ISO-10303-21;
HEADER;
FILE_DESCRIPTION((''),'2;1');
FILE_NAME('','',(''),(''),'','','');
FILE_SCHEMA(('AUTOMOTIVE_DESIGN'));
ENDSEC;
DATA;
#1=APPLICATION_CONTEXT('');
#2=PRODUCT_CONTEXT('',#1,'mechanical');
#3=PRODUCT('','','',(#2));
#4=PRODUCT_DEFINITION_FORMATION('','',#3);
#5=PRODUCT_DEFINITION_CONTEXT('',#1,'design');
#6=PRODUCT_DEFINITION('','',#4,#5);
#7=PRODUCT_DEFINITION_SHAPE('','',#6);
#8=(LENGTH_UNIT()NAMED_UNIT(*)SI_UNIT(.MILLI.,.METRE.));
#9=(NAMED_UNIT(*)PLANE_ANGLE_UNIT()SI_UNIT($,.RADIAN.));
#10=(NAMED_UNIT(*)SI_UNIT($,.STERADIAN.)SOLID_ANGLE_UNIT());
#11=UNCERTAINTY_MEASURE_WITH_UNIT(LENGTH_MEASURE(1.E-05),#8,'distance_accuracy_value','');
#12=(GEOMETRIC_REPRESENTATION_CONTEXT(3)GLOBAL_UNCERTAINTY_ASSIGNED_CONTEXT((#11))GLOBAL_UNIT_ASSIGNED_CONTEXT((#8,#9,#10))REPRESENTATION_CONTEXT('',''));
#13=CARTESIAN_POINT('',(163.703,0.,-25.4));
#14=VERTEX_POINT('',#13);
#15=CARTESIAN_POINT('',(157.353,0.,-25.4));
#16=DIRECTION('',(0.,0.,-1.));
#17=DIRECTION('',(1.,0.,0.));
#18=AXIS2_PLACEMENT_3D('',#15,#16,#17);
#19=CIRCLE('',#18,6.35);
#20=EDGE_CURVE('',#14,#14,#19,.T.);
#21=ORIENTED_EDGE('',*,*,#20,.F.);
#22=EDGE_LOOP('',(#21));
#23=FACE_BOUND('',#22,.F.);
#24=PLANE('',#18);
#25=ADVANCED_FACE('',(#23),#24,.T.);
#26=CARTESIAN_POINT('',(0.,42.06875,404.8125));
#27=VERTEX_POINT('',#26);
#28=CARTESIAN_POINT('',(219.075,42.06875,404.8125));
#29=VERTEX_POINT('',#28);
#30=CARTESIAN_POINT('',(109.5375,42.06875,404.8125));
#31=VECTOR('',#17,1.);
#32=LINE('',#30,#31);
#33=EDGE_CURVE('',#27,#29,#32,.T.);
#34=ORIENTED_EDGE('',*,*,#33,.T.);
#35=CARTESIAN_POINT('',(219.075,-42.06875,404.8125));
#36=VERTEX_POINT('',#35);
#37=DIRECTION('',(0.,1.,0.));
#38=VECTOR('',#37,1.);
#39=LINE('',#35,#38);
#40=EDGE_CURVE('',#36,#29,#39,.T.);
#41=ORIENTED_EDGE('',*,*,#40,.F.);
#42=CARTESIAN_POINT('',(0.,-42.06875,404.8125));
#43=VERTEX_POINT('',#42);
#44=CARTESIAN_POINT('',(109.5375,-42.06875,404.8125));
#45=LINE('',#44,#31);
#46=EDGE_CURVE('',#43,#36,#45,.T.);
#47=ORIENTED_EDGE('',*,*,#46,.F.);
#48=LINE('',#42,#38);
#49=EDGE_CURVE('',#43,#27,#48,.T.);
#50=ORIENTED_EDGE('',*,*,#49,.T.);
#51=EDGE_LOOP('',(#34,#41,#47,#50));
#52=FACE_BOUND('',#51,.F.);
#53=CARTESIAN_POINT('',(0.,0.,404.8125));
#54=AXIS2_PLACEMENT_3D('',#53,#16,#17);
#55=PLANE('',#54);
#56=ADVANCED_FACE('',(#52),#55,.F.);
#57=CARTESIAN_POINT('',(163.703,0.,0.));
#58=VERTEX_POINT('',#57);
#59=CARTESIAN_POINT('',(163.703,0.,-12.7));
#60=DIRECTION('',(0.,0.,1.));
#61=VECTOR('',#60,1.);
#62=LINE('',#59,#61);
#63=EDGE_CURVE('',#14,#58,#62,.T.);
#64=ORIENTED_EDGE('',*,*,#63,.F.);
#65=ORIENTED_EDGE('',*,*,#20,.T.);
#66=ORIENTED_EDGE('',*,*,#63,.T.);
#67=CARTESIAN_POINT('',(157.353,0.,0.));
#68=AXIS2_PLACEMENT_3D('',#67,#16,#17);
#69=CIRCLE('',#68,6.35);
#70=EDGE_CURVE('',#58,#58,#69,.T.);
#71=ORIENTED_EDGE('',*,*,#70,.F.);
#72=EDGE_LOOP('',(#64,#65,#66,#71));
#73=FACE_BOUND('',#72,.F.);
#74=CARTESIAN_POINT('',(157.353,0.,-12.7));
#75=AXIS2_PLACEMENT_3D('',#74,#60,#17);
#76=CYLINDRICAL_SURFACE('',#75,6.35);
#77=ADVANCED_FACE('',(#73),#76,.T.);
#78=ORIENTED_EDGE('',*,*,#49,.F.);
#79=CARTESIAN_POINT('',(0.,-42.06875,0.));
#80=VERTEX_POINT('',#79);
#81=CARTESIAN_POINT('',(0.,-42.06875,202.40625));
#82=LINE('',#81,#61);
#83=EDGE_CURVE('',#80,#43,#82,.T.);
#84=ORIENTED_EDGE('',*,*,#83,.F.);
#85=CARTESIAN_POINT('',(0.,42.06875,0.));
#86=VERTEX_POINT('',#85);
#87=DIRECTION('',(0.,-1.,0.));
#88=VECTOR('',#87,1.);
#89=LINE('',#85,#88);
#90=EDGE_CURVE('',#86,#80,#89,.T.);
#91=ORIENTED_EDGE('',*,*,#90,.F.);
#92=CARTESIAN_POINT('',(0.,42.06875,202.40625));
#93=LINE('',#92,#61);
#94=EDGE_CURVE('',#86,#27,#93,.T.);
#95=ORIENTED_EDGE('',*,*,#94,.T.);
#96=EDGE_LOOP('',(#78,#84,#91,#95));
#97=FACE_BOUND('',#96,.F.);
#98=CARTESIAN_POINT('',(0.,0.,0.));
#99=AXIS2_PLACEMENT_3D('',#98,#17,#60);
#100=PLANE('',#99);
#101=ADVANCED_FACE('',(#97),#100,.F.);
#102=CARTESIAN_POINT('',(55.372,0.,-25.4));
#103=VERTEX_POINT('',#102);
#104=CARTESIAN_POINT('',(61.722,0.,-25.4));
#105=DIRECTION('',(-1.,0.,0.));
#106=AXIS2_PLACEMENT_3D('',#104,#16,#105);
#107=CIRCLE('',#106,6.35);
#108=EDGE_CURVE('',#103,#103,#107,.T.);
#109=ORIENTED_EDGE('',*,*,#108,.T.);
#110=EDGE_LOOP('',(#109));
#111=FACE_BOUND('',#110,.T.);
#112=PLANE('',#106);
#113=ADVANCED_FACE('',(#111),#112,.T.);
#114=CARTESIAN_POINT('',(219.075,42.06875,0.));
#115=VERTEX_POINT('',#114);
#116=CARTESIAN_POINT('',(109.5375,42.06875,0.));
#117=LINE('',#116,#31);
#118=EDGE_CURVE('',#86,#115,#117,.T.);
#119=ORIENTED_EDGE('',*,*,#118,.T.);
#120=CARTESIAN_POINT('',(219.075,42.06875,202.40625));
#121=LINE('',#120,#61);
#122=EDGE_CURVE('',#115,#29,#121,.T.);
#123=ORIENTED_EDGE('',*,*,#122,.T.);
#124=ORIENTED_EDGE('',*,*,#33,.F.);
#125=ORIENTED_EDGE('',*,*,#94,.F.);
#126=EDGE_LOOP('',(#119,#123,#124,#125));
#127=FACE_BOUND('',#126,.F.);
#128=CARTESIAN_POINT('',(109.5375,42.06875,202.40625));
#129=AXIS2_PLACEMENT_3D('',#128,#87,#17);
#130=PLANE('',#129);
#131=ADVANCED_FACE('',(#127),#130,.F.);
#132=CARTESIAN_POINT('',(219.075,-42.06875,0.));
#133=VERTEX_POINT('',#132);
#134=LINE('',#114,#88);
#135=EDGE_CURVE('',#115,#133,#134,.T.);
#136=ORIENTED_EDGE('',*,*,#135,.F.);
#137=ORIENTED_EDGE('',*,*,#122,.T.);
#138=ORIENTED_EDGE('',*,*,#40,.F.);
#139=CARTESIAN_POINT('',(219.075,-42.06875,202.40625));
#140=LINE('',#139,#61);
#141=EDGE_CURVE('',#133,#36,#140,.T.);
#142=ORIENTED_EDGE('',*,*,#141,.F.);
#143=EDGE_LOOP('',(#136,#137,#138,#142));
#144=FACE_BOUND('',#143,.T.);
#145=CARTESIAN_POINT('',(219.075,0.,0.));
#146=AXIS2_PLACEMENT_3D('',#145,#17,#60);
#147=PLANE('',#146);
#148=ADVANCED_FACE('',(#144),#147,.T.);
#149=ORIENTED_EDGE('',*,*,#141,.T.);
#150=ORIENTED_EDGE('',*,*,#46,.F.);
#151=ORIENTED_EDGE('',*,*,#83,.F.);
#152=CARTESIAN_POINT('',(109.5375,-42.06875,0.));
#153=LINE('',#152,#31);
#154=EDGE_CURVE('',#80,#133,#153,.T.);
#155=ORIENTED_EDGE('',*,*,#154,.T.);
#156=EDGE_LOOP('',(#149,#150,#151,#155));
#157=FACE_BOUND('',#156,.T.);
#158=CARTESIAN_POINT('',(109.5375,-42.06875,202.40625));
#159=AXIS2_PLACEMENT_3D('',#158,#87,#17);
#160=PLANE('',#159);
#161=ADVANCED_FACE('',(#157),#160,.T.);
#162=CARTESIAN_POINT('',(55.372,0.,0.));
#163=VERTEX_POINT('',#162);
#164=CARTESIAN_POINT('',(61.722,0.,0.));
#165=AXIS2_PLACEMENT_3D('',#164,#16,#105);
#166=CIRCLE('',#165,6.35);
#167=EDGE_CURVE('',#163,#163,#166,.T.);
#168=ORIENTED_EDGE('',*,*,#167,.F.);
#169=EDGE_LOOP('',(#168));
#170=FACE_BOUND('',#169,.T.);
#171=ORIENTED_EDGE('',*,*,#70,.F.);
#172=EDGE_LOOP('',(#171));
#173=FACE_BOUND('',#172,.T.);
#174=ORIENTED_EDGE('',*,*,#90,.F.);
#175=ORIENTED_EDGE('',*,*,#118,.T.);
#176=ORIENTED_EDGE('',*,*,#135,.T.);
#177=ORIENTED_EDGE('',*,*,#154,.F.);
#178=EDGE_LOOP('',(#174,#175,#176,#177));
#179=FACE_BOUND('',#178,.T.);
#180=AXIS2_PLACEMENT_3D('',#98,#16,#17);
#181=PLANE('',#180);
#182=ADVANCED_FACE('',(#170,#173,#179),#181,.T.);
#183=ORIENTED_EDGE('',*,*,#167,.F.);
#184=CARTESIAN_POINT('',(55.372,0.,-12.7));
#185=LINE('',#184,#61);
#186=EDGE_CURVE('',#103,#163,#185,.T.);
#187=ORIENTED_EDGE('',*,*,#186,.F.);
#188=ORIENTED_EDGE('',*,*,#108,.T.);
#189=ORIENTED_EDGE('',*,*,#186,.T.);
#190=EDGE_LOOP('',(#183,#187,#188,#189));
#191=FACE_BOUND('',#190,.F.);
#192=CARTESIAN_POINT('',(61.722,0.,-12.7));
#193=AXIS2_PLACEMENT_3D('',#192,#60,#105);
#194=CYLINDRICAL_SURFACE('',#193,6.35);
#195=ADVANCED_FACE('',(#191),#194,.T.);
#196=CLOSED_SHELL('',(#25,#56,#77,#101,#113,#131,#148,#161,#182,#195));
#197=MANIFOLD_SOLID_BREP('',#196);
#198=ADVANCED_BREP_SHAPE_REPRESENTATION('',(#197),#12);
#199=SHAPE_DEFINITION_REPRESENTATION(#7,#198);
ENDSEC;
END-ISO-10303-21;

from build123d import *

# Parameters (mm, degrees)
F0_W     = 219.075
F0_H     = 404.8125
F1_DEPTH = 42.06875
F2_W     = 6.35
F2_H     = 25.4


with BuildPart() as f1:
    # F0 (on Front) → F1 (new body, symmetric)
    with BuildSketch(Plane.XZ):
        with Locations((109.5375, 202.40625)):
            Rectangle(F0_W, F0_H)
    extrude(amount=F1_DEPTH, both=True)

    # F2 (on Front) → F3 (revolve)
    with BuildSketch(Plane.XZ):
        with Locations((58.547, -12.7)):
            Rectangle(F2_W, F2_H)
    revolve(axis=Axis((61.722, 0, -40.7141068673), (0, 0, -1)))

    # F2 (on Front) → F4 (revolve)
    with BuildSketch(Plane.XZ):
        with Locations((160.528, -12.7)):
            Rectangle(F2_W, F2_H)
    revolve(axis=Axis((157.353, 0, -46.729570285), (0, 0, -1)))


solid = f1.part
